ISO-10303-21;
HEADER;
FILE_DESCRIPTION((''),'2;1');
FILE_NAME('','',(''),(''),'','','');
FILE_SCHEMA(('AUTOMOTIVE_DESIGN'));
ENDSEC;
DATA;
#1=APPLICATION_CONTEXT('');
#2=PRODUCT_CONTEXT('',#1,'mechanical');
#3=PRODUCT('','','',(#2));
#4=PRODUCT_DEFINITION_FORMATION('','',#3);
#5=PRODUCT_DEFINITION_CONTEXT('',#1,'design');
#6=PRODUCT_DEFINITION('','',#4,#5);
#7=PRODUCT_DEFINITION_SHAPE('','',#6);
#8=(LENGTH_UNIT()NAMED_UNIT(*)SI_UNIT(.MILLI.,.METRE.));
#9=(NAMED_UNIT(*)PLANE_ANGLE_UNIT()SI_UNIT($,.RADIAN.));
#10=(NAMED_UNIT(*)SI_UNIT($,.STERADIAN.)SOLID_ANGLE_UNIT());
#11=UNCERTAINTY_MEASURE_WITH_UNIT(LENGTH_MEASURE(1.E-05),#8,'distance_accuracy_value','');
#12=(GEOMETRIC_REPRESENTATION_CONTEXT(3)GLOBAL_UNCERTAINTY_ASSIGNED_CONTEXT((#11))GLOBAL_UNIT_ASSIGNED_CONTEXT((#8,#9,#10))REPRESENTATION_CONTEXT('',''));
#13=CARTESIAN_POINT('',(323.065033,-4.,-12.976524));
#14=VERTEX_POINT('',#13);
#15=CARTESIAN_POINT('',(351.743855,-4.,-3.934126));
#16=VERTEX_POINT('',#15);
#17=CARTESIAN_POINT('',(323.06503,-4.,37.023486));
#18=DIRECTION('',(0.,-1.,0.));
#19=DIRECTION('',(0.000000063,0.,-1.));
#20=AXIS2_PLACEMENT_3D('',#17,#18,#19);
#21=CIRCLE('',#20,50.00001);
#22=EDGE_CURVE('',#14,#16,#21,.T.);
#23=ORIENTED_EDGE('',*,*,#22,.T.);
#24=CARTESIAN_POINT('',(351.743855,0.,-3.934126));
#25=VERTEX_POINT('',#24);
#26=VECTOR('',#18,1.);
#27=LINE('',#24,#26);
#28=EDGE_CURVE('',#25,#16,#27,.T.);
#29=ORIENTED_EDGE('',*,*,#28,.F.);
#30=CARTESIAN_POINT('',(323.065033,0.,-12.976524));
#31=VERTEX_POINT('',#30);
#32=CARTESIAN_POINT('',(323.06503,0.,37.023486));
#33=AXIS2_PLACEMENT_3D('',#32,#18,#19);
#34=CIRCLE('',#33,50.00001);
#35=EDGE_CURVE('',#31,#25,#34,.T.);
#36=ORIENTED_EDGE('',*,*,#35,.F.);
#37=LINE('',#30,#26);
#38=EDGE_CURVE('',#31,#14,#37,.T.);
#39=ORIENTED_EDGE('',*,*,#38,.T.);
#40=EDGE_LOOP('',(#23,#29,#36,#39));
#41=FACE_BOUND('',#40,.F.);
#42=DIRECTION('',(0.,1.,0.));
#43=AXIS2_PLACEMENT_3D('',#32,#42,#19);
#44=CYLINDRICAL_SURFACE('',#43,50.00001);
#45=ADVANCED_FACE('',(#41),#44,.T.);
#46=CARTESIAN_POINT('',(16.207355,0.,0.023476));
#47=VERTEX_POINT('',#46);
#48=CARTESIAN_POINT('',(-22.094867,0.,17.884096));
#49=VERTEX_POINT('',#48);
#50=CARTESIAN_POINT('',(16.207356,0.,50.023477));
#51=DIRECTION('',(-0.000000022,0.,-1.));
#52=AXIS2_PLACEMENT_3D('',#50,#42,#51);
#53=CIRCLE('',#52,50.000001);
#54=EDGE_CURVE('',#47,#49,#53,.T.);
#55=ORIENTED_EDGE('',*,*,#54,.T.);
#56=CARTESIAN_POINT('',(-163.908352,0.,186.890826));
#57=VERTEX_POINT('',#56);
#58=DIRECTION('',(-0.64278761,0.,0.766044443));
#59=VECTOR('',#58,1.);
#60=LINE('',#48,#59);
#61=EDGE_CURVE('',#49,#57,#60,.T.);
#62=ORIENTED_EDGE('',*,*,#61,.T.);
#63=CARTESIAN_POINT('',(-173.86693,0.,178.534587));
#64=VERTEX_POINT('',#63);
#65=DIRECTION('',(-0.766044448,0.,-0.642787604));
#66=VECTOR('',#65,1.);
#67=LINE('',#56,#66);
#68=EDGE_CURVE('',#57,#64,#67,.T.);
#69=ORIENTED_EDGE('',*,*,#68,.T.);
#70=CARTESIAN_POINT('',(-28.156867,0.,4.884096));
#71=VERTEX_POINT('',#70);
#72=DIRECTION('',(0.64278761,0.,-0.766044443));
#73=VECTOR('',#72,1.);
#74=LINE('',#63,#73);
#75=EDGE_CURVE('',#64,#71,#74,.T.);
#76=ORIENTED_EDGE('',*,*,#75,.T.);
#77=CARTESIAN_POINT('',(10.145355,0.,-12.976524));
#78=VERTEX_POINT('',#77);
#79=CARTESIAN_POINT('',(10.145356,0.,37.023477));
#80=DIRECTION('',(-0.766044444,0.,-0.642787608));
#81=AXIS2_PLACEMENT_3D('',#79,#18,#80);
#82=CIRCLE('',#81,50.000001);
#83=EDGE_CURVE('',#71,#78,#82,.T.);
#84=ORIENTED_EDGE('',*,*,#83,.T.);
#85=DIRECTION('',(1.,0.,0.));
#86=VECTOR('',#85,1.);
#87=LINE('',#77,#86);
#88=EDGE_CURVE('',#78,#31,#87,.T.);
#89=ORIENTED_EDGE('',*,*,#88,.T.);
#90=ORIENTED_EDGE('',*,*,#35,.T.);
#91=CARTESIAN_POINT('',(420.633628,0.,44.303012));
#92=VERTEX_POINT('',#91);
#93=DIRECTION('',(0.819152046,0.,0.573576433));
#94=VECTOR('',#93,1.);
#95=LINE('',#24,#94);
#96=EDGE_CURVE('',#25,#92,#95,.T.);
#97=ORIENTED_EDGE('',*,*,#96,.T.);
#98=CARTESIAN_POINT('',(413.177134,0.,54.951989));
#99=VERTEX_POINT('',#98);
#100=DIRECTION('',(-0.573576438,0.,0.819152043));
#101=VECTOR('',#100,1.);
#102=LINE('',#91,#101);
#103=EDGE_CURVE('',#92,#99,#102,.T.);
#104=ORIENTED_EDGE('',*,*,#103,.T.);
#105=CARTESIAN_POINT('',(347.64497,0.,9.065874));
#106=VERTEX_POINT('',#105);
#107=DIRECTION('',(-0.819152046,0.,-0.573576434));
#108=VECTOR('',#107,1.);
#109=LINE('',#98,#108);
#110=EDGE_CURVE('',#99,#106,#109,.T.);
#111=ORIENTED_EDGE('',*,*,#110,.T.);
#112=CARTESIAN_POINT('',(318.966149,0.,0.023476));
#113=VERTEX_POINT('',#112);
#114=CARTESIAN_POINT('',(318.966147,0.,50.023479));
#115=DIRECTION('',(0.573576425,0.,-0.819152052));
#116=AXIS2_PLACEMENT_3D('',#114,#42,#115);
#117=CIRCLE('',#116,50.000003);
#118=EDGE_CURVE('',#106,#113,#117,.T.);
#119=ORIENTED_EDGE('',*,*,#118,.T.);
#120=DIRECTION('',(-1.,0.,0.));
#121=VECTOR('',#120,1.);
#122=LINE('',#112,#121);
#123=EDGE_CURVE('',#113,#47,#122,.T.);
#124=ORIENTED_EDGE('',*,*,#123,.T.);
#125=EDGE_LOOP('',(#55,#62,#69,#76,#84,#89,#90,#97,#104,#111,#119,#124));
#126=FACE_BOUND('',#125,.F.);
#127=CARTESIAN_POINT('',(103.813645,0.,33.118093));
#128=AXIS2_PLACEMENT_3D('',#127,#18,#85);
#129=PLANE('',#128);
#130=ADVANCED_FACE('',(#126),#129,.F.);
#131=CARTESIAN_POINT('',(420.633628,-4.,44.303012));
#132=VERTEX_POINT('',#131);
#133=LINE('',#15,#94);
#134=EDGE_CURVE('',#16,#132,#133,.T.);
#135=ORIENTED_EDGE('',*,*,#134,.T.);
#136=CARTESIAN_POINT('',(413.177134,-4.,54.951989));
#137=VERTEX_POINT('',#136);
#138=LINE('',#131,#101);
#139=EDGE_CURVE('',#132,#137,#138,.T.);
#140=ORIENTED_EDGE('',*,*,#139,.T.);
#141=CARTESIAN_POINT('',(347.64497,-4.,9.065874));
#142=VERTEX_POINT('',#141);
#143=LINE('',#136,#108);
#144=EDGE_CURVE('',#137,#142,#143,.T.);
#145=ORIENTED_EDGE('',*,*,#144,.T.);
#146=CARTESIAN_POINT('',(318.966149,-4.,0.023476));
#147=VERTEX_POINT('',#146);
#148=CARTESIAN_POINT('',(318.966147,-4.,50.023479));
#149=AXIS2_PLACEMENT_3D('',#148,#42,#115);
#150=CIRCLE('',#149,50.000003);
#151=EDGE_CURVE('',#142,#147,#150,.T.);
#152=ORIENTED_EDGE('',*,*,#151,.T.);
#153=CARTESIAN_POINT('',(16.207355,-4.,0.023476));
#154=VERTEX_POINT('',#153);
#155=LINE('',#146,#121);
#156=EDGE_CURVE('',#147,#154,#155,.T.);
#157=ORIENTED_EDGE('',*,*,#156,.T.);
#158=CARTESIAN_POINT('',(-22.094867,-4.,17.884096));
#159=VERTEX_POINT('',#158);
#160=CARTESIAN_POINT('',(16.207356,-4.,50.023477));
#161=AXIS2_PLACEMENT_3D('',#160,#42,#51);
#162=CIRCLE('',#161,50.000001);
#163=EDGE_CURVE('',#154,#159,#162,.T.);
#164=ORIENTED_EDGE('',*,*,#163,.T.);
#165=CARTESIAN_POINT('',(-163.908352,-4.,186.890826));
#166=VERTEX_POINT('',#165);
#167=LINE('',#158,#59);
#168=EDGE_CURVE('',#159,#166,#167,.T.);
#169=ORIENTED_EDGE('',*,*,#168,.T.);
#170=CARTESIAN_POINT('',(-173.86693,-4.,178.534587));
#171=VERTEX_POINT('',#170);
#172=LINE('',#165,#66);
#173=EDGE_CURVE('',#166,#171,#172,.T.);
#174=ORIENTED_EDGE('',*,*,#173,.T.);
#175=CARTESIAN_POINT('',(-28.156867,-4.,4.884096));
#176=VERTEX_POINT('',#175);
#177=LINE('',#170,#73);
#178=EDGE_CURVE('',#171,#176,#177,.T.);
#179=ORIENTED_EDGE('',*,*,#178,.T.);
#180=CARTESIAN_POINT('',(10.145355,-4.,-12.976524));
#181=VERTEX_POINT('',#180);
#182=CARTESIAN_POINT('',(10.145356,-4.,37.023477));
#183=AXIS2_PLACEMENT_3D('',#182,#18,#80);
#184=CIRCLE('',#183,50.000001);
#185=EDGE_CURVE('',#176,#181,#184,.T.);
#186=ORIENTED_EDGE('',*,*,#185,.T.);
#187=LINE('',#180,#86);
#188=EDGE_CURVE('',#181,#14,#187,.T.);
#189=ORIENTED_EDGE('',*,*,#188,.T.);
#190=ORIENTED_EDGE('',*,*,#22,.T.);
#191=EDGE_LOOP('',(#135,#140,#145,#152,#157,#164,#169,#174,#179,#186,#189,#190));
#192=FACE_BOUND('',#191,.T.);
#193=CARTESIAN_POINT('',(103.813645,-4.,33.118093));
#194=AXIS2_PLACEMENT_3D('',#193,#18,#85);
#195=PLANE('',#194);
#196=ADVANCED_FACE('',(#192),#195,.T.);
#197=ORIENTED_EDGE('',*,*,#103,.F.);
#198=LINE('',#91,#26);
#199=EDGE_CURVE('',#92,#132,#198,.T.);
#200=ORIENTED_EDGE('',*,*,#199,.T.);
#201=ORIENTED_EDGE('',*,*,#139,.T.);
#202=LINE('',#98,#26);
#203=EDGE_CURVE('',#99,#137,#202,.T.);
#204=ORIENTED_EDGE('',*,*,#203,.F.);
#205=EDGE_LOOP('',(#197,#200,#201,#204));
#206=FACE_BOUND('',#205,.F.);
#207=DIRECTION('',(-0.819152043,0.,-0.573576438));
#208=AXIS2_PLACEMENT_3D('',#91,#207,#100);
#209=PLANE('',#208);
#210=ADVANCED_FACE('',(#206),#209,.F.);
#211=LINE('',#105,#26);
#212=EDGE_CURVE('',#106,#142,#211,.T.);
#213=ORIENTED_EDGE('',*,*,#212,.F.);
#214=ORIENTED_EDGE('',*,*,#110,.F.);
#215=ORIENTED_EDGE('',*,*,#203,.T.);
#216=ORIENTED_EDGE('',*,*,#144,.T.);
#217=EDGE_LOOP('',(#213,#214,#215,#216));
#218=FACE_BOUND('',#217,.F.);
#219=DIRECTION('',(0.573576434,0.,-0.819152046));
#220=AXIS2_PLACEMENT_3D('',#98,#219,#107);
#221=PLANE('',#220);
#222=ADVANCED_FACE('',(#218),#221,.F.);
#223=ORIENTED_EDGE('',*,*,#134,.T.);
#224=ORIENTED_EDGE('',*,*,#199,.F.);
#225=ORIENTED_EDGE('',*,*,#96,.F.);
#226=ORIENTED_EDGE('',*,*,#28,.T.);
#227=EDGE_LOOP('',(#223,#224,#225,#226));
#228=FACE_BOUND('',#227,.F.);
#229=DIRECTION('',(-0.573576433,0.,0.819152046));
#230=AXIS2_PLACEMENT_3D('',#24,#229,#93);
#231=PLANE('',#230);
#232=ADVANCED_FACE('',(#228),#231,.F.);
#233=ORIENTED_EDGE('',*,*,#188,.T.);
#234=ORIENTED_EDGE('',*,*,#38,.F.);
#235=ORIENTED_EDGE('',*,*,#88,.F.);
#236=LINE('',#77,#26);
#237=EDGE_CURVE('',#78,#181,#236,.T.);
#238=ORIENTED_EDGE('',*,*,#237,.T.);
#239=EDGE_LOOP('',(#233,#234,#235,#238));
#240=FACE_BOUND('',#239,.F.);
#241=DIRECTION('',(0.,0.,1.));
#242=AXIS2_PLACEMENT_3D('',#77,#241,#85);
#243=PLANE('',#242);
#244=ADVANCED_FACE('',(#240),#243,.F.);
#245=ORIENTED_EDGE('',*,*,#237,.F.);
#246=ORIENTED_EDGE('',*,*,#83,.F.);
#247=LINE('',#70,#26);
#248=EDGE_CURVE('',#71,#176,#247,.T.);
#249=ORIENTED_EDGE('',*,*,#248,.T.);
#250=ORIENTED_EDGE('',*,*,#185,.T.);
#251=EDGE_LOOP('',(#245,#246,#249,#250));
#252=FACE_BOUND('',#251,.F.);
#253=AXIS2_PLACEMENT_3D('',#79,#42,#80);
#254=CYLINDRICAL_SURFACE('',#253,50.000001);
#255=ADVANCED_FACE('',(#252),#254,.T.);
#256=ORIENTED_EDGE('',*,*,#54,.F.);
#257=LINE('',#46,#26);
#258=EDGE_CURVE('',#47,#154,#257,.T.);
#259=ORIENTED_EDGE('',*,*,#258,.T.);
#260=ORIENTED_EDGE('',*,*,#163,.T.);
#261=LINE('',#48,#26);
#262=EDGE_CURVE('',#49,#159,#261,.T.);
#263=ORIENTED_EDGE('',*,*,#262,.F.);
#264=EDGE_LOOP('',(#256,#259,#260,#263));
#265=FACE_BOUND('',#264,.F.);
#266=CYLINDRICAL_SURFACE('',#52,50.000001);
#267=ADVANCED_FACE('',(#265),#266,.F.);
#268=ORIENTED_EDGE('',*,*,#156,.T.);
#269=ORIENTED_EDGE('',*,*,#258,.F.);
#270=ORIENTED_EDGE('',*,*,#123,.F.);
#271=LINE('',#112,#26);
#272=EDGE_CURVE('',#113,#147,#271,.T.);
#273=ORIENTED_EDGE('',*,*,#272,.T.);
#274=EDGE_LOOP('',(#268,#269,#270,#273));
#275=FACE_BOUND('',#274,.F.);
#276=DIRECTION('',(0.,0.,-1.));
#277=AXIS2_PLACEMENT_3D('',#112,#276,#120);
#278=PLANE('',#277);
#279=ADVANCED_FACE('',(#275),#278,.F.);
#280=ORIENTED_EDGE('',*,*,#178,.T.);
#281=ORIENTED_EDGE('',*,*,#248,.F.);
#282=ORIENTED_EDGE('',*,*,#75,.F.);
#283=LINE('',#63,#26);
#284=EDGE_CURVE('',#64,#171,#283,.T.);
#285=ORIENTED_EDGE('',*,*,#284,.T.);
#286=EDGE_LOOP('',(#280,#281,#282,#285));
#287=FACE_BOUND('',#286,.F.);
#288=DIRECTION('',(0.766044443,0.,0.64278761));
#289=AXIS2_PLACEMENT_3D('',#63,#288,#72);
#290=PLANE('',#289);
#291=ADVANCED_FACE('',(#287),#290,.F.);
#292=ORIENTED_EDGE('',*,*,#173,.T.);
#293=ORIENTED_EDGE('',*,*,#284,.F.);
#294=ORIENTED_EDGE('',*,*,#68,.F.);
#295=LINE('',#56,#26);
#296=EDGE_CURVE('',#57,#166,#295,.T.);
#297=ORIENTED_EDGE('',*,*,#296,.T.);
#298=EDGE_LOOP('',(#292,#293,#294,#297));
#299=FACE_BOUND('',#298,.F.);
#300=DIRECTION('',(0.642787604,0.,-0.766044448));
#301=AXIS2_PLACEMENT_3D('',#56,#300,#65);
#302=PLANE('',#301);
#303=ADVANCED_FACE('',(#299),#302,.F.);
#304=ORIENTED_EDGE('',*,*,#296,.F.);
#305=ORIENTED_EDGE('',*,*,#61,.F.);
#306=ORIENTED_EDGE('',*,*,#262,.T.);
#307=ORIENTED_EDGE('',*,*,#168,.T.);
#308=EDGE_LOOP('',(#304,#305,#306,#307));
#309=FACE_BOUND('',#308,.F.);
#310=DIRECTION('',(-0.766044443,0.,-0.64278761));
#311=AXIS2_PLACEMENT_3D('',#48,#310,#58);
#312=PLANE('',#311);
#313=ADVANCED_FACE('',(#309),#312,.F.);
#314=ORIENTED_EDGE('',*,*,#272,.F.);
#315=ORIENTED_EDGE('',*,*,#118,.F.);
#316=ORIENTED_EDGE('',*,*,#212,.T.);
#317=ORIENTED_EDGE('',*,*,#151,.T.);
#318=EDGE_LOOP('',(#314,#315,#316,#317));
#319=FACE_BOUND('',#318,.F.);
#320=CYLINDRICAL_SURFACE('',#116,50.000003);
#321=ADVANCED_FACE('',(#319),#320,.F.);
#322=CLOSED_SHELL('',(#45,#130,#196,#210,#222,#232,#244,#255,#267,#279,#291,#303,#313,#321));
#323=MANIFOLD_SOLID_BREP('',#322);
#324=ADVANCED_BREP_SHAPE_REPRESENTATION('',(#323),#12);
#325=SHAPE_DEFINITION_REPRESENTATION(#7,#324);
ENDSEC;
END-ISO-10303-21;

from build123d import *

# Parameters (mm, degrees)
F1_DEPTH = 4


with BuildPart() as f1:
    # F0 (on Front) → F1 (new body)
    with BuildSketch(Plane.XZ):
        with BuildLine():
            ThreePointArc((-28.156867, 4.884096), (-10.985558, -8.291913), (10.145355, -12.976524))
            Line((10.145355, -12.976524), (323.065033, -12.976524))
            ThreePointArc((323.065033, -12.976524), (338.100323, -10.662371), (351.743855, -3.934126))
            Line((351.743855, -3.934126), (420.633628, 44.303012))
            Line((420.633628, 44.303012), (413.177134, 54.951989))
            Line((413.177134, 54.951989), (347.64497, 9.065874))
            ThreePointArc((347.64497, 9.065874), (334.001439, 2.337629), (318.966149, 0.023476))
            Line((318.966149, 0.023476), (16.207355, 0.023476))
            ThreePointArc((16.207355, 0.023476), (-4.923558, 4.708087), (-22.094867, 17.884096))
            Line((-22.094867, 17.884096), (-163.908352, 186.890826))
            Line((-163.908352, 186.890826), (-173.86693, 178.534587))
            Line((-173.86693, 178.534587), (-28.156867, 4.884096))
        make_face()
    extrude(amount=F1_DEPTH)


solid = f1.part
